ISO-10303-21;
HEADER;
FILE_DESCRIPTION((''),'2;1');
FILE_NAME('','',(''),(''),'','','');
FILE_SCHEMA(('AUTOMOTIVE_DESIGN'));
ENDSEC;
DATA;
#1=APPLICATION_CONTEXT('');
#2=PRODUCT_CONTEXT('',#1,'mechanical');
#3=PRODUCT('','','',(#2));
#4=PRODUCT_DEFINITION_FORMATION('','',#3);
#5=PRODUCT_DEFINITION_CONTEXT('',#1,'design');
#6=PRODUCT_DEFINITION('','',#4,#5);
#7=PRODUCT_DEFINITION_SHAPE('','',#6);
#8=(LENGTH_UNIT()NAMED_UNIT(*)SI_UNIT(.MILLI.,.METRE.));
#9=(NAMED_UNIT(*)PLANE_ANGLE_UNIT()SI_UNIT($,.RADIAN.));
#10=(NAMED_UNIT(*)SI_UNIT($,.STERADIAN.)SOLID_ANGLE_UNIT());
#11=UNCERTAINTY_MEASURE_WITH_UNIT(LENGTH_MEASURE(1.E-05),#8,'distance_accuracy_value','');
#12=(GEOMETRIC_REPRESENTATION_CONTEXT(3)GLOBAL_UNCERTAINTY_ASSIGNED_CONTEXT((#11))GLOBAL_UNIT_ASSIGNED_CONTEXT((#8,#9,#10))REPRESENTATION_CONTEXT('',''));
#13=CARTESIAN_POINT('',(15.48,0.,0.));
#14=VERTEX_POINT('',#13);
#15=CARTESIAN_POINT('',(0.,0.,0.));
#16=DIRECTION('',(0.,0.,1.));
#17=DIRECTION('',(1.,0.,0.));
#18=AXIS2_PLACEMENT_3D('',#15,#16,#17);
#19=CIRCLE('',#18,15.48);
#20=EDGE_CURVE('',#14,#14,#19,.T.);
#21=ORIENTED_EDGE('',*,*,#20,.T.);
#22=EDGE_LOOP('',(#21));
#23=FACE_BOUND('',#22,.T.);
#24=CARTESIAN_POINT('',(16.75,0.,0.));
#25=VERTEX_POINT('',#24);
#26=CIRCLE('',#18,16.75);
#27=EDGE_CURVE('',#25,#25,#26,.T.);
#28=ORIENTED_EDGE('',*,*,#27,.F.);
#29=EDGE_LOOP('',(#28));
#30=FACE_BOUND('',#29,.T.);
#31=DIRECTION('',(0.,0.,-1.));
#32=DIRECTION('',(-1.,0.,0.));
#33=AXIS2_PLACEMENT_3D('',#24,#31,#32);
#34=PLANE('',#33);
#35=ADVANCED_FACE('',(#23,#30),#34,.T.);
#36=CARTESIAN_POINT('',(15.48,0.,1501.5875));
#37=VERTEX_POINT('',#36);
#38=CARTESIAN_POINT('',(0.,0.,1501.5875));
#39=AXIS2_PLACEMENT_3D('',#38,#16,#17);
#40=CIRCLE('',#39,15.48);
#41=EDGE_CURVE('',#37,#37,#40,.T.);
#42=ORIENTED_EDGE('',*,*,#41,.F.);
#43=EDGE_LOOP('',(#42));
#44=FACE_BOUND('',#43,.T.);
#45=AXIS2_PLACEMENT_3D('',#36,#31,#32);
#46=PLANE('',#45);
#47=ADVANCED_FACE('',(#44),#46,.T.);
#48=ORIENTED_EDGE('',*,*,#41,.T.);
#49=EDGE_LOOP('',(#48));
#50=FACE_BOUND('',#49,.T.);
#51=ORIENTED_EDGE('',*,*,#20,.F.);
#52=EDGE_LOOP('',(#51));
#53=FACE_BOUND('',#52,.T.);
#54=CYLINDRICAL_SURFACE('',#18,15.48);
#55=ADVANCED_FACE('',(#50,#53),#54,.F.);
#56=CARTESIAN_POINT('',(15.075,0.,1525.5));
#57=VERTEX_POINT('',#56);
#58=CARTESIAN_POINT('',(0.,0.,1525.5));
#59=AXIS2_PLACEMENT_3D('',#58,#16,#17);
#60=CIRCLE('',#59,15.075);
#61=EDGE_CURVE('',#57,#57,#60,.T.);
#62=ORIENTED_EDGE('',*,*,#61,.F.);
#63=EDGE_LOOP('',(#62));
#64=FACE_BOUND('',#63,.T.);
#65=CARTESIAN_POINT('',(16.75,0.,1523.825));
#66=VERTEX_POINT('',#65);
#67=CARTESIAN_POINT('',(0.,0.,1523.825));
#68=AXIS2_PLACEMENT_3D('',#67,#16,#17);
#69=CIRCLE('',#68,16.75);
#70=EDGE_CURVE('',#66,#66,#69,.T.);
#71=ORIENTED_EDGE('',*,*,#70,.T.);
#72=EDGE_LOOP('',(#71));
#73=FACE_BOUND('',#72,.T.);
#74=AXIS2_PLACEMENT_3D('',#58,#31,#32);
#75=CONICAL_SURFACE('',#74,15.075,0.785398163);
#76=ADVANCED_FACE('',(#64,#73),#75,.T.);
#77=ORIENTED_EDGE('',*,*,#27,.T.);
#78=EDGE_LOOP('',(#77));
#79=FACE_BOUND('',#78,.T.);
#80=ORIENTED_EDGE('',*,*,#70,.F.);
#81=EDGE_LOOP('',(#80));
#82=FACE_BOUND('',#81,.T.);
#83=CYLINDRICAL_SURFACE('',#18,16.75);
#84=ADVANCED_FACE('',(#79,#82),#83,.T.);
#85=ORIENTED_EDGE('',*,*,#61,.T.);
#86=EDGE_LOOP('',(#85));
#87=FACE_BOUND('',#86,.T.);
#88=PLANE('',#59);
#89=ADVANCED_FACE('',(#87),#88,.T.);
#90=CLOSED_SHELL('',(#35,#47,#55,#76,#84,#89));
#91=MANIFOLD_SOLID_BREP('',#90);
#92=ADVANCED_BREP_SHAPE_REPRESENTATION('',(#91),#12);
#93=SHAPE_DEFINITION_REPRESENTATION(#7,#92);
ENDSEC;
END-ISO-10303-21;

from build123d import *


with BuildPart() as part:
    # Esboço1 → Revolução1 (revolve)
    with BuildSketch(Plane(origin=(0, 0, 0), x_dir=(1, 0, 0), z_dir=(0, 1, 0))):
        Polygon((15.48, -1501.5875), (0, -1501.5875), (0, -1525.5), (15.075, -1525.5), (16.75, -1523.825), (16.75, 0), (15.48, 0), align=None)
    revolve(axis=Axis((0, 0, 0), (0, 0, 1)))


solid = part.part
